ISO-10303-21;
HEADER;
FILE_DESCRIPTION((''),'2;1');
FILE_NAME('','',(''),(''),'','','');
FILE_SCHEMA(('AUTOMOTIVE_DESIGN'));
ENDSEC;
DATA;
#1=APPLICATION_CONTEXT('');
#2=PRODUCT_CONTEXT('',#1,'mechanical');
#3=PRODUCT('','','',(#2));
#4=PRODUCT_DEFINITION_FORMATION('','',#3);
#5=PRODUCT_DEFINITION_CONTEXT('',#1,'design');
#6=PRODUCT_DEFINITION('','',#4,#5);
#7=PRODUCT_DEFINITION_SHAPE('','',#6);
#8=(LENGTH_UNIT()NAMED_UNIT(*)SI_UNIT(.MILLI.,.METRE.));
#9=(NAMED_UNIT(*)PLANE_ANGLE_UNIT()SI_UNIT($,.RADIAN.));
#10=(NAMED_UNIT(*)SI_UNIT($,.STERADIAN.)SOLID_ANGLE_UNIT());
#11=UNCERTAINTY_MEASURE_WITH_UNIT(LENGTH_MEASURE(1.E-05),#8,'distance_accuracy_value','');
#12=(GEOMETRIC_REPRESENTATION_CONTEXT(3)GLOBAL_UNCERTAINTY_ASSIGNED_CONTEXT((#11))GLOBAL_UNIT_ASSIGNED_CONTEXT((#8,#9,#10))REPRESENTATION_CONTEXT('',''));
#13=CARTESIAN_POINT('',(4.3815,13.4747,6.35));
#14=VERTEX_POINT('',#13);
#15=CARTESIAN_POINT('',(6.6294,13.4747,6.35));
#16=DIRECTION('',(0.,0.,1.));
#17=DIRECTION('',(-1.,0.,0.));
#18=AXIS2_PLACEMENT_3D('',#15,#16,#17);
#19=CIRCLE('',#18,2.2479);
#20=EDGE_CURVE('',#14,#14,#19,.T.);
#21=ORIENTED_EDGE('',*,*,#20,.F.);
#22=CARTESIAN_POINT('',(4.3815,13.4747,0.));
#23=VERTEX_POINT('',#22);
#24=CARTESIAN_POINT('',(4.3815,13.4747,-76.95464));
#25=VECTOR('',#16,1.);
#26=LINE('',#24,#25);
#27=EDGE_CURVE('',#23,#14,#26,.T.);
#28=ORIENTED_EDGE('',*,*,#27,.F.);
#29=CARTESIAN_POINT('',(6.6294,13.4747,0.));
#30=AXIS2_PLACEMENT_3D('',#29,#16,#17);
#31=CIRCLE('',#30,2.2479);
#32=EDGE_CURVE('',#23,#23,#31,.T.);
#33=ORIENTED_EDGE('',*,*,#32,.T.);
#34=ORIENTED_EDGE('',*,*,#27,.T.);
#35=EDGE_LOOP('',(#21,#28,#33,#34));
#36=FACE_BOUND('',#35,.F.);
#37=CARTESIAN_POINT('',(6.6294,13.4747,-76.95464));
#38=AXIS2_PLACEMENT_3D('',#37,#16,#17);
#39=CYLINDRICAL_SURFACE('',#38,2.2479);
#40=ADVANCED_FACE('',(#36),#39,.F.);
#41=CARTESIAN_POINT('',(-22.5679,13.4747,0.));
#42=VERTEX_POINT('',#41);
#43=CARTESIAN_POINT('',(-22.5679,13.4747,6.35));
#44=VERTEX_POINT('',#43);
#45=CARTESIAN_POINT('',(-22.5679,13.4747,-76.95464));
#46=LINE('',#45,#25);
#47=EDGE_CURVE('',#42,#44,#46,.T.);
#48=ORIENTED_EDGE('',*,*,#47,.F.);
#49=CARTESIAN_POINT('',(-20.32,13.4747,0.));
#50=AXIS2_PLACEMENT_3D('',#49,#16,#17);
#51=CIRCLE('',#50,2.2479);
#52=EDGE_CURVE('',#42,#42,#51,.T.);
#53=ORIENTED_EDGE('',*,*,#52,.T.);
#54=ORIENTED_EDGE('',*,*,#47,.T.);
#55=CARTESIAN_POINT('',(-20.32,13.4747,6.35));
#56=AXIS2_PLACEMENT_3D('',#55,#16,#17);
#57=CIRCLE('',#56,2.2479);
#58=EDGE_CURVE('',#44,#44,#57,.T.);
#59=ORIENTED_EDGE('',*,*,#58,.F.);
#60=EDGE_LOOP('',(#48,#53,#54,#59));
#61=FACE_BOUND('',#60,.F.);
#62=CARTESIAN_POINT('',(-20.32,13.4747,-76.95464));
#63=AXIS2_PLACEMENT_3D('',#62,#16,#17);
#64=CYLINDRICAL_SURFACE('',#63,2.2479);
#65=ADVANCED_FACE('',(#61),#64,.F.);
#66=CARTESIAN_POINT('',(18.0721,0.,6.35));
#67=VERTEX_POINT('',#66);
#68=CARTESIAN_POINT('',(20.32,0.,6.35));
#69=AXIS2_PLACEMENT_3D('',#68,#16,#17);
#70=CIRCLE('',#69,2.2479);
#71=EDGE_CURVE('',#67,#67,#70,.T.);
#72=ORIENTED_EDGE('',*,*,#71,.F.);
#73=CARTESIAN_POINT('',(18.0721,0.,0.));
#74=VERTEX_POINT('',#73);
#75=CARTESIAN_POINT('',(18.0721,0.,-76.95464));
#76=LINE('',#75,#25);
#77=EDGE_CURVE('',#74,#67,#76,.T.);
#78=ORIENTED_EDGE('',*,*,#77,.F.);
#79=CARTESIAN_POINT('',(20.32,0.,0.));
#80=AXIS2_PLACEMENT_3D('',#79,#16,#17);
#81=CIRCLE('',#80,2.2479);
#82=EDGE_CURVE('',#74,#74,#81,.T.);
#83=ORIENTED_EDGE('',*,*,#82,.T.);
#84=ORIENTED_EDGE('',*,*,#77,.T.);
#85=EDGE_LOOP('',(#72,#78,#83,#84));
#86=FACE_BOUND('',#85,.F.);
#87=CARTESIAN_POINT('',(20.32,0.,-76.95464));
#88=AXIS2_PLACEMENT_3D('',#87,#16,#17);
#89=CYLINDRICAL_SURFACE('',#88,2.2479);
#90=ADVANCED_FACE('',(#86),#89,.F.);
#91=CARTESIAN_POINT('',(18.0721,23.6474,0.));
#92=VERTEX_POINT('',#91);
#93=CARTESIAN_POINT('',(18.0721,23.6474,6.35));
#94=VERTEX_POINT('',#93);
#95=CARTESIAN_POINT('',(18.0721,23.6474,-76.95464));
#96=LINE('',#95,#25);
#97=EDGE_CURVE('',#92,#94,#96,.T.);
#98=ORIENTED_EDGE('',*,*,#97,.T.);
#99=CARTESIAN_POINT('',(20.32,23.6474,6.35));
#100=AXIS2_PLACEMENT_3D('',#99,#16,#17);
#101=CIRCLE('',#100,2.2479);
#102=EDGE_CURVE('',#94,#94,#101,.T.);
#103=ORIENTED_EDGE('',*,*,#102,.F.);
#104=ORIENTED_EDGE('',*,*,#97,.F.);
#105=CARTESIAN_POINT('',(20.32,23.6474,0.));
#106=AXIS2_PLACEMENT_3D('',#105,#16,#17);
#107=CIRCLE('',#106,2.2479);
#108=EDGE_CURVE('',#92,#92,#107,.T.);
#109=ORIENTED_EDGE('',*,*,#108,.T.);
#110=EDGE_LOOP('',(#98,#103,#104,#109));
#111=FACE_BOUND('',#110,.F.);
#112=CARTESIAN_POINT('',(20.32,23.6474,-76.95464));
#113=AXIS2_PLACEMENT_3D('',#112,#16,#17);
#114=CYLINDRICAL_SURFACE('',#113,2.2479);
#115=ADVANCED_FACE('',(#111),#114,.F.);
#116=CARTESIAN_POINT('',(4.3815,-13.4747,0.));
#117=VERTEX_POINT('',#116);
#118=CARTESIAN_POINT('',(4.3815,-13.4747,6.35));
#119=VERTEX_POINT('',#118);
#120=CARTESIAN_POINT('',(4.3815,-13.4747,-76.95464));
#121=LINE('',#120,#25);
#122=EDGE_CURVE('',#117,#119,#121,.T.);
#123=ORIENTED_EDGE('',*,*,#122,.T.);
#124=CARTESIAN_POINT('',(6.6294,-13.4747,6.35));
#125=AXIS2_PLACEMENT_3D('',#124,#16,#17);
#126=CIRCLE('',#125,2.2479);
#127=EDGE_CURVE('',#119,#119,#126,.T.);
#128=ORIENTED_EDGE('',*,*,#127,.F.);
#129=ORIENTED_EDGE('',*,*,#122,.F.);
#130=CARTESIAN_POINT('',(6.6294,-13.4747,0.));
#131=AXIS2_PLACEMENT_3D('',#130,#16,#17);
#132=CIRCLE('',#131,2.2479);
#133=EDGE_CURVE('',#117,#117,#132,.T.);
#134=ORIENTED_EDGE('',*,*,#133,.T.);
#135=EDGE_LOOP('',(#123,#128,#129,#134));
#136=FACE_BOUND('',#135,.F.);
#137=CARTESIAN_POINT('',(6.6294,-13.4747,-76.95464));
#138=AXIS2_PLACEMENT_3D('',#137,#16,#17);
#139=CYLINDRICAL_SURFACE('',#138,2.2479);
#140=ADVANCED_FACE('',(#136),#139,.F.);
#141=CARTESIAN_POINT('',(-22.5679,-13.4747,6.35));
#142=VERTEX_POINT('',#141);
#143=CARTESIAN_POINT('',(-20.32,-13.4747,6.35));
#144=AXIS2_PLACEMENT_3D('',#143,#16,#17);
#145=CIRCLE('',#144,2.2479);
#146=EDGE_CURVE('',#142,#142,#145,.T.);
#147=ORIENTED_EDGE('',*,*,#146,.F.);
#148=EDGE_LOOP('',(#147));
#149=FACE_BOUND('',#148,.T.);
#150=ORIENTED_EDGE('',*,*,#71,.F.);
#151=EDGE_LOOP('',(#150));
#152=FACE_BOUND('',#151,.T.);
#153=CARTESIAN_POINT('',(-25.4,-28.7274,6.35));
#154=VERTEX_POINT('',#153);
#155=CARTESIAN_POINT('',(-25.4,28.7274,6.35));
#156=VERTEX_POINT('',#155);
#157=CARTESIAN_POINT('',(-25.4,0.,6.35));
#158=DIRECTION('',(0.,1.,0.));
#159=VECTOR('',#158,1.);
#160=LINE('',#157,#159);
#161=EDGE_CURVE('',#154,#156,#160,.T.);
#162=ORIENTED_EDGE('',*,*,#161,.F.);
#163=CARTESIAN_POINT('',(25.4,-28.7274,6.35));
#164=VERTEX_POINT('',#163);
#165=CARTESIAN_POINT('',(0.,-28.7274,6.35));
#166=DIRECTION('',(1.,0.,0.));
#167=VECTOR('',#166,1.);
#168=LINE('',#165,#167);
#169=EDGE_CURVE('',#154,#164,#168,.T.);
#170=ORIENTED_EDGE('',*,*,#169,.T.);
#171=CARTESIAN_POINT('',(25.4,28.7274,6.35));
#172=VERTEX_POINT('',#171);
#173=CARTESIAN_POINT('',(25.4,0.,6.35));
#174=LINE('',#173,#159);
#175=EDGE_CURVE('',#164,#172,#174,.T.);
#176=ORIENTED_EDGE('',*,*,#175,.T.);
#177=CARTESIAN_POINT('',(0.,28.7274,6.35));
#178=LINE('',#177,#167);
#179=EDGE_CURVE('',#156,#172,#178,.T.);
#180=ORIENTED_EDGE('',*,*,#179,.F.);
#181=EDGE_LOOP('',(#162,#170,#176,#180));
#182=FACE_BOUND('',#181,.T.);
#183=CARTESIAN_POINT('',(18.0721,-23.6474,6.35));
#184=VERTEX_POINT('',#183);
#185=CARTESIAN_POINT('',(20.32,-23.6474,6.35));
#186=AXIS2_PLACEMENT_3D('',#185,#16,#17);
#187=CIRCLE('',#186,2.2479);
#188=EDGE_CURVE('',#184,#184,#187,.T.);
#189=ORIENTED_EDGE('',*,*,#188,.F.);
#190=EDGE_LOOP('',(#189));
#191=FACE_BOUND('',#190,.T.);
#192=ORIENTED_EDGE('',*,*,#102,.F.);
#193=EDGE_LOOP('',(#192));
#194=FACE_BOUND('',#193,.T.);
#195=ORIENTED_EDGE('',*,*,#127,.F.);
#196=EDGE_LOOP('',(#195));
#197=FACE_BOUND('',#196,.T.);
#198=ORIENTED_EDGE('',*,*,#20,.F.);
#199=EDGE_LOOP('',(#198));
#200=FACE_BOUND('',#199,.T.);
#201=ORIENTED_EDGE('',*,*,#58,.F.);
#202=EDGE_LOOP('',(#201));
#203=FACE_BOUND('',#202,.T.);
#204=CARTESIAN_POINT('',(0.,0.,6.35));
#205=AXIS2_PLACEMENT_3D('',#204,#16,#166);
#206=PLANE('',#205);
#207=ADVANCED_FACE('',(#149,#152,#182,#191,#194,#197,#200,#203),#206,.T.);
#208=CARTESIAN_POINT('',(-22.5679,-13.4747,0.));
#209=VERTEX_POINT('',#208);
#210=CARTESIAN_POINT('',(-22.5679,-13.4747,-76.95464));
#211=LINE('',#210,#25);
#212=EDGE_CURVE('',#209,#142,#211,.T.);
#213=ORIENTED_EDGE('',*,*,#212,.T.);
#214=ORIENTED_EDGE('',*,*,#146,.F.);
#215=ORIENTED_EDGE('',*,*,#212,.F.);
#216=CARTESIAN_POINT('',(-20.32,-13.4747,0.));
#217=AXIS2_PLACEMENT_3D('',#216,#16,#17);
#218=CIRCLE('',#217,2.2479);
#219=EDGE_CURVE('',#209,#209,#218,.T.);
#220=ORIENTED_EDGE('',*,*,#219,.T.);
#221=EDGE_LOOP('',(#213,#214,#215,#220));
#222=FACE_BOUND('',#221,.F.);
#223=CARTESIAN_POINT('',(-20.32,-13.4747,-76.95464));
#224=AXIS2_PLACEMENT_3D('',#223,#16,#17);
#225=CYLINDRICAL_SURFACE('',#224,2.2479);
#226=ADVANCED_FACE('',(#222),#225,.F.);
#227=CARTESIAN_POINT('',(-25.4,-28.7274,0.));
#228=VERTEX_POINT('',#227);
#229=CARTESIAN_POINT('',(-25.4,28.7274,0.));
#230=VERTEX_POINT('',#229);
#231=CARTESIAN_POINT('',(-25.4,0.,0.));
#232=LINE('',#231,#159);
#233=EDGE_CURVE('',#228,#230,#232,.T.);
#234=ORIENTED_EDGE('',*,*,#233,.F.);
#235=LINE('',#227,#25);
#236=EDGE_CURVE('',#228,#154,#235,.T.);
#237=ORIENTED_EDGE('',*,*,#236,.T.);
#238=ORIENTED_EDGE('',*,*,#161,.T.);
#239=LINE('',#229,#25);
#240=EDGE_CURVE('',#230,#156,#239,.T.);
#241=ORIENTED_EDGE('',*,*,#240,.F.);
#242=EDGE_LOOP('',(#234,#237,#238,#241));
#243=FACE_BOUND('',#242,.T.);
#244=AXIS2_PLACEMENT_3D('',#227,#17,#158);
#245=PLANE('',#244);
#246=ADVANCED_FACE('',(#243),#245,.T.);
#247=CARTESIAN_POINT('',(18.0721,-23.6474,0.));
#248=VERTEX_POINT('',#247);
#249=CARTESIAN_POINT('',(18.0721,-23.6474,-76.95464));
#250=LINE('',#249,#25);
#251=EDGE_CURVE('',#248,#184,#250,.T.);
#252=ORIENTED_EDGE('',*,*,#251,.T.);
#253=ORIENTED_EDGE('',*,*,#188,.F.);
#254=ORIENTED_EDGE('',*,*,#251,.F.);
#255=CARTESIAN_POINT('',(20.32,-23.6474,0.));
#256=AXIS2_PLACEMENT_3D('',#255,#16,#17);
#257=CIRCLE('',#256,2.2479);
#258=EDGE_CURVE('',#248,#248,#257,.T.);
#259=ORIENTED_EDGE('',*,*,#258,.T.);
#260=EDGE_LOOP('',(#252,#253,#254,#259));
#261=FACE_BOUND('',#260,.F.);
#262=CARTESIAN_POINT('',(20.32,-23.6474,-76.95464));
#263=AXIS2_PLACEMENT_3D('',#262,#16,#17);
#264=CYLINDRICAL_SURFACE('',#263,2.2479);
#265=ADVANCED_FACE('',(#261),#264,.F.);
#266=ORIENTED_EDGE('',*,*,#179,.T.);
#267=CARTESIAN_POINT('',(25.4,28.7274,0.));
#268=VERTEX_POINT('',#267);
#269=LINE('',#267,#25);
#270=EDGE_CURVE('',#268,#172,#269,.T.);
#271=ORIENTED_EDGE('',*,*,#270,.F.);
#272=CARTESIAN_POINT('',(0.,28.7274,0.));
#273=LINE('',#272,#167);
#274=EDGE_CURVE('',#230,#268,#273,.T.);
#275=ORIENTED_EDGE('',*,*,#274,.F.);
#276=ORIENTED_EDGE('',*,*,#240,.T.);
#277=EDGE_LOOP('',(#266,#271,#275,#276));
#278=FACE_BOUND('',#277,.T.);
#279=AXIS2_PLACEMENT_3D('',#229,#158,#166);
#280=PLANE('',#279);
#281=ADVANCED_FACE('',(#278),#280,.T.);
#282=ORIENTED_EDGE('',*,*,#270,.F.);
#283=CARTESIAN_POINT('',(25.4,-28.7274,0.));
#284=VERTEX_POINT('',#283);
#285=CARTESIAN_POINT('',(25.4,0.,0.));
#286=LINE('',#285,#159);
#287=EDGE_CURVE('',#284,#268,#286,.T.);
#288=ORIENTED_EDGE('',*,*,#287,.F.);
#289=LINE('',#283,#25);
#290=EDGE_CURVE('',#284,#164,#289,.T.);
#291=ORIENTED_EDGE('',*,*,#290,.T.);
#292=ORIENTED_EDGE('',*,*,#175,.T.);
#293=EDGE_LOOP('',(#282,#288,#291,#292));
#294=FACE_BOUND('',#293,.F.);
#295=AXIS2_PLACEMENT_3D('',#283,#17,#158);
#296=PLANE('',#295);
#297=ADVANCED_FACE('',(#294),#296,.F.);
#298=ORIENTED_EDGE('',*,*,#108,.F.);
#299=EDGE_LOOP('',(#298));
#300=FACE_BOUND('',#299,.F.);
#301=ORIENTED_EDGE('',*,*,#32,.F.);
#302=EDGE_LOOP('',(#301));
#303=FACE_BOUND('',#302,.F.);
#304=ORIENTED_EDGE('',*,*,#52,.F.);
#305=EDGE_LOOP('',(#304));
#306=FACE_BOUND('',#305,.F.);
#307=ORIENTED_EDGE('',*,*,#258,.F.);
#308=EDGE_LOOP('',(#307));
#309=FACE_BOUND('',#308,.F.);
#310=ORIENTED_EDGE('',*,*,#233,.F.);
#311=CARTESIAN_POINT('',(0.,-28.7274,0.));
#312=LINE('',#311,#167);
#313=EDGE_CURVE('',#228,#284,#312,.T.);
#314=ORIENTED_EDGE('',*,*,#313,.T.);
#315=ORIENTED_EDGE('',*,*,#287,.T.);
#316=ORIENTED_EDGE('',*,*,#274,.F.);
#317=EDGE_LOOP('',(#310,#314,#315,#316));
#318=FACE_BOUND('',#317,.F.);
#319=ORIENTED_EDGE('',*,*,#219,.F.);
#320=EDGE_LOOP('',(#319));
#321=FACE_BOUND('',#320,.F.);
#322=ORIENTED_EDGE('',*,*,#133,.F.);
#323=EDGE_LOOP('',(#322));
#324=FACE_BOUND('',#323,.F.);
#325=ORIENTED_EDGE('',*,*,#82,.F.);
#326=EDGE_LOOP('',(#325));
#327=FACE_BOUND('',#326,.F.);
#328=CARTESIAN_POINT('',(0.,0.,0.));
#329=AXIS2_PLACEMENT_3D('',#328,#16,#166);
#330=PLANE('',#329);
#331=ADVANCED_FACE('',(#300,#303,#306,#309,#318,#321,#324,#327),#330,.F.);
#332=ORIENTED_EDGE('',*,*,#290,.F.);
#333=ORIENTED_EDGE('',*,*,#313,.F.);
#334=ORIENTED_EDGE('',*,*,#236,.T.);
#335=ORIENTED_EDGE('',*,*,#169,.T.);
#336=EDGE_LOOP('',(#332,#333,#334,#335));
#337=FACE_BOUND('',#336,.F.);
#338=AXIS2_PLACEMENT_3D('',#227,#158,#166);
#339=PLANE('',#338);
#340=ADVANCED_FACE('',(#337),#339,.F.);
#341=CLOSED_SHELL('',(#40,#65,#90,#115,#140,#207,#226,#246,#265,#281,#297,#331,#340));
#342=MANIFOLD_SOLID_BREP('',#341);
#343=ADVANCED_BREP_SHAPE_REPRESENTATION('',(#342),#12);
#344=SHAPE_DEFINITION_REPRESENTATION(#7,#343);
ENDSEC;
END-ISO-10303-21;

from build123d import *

# Parameters (mm, degrees)
F0_W     = 50.8
F0_H     = 57.4548
F1_DEPTH = 6.35
F2_D     = 4.4958
F3_D     = 4.4958
F4_D     = 4.4958
F5_D     = 4.4958
F6_D     = 4.4958
F7_D     = 4.4958
F8_D     = 4.4958


with BuildPart() as f1:
    # F0 (on Top) → F1 (new body)
    with BuildSketch(Plane.XY):
        Rectangle(F0_W, F0_H)
    extrude(amount=F1_DEPTH)

    # F2 (through all)
    with Locations(Plane(origin=(0, 0, 0), x_dir=(1, 0, 0), z_dir=(0, 0, -1))):
        with Locations((-20.32, 13.4747)):
            Hole(F2_D / 2)

    # F3 (through all)
    with Locations(Plane(origin=(0, 0, 0), x_dir=(1, 0, 0), z_dir=(0, 0, -1))):
        with Locations((-20.32, -13.4747)):
            Hole(F3_D / 2)

    # F4 (through all)
    with Locations(Plane(origin=(0, 0, 0), x_dir=(1, 0, 0), z_dir=(0, 0, -1))):
        with Locations((6.6294, -13.4747)):
            Hole(F4_D / 2)

    # F5 (through all)
    with Locations(Plane(origin=(0, 0, 0), x_dir=(1, 0, 0), z_dir=(0, 0, -1))):
        with Locations((6.6294, 13.4747)):
            Hole(F5_D / 2)

    # F6 (through all)
    with Locations(Plane(origin=(0, 0, 0), x_dir=(1, 0, 0), z_dir=(0, 0, -1))):
        with Locations((20.32, 23.6474)):
            Hole(F6_D / 2)

    # F7 (through all)
    with Locations(Plane(origin=(0, 0, 0), x_dir=(1, 0, 0), z_dir=(0, 0, -1))):
        with Locations((20.32, 0)):
            Hole(F7_D / 2)

    # F8 (through all)
    with Locations(Plane(origin=(0, 0, 0), x_dir=(1, 0, 0), z_dir=(0, 0, -1))):
        with Locations((20.32, -23.6474)):
            Hole(F8_D / 2)


solid = f1.part
